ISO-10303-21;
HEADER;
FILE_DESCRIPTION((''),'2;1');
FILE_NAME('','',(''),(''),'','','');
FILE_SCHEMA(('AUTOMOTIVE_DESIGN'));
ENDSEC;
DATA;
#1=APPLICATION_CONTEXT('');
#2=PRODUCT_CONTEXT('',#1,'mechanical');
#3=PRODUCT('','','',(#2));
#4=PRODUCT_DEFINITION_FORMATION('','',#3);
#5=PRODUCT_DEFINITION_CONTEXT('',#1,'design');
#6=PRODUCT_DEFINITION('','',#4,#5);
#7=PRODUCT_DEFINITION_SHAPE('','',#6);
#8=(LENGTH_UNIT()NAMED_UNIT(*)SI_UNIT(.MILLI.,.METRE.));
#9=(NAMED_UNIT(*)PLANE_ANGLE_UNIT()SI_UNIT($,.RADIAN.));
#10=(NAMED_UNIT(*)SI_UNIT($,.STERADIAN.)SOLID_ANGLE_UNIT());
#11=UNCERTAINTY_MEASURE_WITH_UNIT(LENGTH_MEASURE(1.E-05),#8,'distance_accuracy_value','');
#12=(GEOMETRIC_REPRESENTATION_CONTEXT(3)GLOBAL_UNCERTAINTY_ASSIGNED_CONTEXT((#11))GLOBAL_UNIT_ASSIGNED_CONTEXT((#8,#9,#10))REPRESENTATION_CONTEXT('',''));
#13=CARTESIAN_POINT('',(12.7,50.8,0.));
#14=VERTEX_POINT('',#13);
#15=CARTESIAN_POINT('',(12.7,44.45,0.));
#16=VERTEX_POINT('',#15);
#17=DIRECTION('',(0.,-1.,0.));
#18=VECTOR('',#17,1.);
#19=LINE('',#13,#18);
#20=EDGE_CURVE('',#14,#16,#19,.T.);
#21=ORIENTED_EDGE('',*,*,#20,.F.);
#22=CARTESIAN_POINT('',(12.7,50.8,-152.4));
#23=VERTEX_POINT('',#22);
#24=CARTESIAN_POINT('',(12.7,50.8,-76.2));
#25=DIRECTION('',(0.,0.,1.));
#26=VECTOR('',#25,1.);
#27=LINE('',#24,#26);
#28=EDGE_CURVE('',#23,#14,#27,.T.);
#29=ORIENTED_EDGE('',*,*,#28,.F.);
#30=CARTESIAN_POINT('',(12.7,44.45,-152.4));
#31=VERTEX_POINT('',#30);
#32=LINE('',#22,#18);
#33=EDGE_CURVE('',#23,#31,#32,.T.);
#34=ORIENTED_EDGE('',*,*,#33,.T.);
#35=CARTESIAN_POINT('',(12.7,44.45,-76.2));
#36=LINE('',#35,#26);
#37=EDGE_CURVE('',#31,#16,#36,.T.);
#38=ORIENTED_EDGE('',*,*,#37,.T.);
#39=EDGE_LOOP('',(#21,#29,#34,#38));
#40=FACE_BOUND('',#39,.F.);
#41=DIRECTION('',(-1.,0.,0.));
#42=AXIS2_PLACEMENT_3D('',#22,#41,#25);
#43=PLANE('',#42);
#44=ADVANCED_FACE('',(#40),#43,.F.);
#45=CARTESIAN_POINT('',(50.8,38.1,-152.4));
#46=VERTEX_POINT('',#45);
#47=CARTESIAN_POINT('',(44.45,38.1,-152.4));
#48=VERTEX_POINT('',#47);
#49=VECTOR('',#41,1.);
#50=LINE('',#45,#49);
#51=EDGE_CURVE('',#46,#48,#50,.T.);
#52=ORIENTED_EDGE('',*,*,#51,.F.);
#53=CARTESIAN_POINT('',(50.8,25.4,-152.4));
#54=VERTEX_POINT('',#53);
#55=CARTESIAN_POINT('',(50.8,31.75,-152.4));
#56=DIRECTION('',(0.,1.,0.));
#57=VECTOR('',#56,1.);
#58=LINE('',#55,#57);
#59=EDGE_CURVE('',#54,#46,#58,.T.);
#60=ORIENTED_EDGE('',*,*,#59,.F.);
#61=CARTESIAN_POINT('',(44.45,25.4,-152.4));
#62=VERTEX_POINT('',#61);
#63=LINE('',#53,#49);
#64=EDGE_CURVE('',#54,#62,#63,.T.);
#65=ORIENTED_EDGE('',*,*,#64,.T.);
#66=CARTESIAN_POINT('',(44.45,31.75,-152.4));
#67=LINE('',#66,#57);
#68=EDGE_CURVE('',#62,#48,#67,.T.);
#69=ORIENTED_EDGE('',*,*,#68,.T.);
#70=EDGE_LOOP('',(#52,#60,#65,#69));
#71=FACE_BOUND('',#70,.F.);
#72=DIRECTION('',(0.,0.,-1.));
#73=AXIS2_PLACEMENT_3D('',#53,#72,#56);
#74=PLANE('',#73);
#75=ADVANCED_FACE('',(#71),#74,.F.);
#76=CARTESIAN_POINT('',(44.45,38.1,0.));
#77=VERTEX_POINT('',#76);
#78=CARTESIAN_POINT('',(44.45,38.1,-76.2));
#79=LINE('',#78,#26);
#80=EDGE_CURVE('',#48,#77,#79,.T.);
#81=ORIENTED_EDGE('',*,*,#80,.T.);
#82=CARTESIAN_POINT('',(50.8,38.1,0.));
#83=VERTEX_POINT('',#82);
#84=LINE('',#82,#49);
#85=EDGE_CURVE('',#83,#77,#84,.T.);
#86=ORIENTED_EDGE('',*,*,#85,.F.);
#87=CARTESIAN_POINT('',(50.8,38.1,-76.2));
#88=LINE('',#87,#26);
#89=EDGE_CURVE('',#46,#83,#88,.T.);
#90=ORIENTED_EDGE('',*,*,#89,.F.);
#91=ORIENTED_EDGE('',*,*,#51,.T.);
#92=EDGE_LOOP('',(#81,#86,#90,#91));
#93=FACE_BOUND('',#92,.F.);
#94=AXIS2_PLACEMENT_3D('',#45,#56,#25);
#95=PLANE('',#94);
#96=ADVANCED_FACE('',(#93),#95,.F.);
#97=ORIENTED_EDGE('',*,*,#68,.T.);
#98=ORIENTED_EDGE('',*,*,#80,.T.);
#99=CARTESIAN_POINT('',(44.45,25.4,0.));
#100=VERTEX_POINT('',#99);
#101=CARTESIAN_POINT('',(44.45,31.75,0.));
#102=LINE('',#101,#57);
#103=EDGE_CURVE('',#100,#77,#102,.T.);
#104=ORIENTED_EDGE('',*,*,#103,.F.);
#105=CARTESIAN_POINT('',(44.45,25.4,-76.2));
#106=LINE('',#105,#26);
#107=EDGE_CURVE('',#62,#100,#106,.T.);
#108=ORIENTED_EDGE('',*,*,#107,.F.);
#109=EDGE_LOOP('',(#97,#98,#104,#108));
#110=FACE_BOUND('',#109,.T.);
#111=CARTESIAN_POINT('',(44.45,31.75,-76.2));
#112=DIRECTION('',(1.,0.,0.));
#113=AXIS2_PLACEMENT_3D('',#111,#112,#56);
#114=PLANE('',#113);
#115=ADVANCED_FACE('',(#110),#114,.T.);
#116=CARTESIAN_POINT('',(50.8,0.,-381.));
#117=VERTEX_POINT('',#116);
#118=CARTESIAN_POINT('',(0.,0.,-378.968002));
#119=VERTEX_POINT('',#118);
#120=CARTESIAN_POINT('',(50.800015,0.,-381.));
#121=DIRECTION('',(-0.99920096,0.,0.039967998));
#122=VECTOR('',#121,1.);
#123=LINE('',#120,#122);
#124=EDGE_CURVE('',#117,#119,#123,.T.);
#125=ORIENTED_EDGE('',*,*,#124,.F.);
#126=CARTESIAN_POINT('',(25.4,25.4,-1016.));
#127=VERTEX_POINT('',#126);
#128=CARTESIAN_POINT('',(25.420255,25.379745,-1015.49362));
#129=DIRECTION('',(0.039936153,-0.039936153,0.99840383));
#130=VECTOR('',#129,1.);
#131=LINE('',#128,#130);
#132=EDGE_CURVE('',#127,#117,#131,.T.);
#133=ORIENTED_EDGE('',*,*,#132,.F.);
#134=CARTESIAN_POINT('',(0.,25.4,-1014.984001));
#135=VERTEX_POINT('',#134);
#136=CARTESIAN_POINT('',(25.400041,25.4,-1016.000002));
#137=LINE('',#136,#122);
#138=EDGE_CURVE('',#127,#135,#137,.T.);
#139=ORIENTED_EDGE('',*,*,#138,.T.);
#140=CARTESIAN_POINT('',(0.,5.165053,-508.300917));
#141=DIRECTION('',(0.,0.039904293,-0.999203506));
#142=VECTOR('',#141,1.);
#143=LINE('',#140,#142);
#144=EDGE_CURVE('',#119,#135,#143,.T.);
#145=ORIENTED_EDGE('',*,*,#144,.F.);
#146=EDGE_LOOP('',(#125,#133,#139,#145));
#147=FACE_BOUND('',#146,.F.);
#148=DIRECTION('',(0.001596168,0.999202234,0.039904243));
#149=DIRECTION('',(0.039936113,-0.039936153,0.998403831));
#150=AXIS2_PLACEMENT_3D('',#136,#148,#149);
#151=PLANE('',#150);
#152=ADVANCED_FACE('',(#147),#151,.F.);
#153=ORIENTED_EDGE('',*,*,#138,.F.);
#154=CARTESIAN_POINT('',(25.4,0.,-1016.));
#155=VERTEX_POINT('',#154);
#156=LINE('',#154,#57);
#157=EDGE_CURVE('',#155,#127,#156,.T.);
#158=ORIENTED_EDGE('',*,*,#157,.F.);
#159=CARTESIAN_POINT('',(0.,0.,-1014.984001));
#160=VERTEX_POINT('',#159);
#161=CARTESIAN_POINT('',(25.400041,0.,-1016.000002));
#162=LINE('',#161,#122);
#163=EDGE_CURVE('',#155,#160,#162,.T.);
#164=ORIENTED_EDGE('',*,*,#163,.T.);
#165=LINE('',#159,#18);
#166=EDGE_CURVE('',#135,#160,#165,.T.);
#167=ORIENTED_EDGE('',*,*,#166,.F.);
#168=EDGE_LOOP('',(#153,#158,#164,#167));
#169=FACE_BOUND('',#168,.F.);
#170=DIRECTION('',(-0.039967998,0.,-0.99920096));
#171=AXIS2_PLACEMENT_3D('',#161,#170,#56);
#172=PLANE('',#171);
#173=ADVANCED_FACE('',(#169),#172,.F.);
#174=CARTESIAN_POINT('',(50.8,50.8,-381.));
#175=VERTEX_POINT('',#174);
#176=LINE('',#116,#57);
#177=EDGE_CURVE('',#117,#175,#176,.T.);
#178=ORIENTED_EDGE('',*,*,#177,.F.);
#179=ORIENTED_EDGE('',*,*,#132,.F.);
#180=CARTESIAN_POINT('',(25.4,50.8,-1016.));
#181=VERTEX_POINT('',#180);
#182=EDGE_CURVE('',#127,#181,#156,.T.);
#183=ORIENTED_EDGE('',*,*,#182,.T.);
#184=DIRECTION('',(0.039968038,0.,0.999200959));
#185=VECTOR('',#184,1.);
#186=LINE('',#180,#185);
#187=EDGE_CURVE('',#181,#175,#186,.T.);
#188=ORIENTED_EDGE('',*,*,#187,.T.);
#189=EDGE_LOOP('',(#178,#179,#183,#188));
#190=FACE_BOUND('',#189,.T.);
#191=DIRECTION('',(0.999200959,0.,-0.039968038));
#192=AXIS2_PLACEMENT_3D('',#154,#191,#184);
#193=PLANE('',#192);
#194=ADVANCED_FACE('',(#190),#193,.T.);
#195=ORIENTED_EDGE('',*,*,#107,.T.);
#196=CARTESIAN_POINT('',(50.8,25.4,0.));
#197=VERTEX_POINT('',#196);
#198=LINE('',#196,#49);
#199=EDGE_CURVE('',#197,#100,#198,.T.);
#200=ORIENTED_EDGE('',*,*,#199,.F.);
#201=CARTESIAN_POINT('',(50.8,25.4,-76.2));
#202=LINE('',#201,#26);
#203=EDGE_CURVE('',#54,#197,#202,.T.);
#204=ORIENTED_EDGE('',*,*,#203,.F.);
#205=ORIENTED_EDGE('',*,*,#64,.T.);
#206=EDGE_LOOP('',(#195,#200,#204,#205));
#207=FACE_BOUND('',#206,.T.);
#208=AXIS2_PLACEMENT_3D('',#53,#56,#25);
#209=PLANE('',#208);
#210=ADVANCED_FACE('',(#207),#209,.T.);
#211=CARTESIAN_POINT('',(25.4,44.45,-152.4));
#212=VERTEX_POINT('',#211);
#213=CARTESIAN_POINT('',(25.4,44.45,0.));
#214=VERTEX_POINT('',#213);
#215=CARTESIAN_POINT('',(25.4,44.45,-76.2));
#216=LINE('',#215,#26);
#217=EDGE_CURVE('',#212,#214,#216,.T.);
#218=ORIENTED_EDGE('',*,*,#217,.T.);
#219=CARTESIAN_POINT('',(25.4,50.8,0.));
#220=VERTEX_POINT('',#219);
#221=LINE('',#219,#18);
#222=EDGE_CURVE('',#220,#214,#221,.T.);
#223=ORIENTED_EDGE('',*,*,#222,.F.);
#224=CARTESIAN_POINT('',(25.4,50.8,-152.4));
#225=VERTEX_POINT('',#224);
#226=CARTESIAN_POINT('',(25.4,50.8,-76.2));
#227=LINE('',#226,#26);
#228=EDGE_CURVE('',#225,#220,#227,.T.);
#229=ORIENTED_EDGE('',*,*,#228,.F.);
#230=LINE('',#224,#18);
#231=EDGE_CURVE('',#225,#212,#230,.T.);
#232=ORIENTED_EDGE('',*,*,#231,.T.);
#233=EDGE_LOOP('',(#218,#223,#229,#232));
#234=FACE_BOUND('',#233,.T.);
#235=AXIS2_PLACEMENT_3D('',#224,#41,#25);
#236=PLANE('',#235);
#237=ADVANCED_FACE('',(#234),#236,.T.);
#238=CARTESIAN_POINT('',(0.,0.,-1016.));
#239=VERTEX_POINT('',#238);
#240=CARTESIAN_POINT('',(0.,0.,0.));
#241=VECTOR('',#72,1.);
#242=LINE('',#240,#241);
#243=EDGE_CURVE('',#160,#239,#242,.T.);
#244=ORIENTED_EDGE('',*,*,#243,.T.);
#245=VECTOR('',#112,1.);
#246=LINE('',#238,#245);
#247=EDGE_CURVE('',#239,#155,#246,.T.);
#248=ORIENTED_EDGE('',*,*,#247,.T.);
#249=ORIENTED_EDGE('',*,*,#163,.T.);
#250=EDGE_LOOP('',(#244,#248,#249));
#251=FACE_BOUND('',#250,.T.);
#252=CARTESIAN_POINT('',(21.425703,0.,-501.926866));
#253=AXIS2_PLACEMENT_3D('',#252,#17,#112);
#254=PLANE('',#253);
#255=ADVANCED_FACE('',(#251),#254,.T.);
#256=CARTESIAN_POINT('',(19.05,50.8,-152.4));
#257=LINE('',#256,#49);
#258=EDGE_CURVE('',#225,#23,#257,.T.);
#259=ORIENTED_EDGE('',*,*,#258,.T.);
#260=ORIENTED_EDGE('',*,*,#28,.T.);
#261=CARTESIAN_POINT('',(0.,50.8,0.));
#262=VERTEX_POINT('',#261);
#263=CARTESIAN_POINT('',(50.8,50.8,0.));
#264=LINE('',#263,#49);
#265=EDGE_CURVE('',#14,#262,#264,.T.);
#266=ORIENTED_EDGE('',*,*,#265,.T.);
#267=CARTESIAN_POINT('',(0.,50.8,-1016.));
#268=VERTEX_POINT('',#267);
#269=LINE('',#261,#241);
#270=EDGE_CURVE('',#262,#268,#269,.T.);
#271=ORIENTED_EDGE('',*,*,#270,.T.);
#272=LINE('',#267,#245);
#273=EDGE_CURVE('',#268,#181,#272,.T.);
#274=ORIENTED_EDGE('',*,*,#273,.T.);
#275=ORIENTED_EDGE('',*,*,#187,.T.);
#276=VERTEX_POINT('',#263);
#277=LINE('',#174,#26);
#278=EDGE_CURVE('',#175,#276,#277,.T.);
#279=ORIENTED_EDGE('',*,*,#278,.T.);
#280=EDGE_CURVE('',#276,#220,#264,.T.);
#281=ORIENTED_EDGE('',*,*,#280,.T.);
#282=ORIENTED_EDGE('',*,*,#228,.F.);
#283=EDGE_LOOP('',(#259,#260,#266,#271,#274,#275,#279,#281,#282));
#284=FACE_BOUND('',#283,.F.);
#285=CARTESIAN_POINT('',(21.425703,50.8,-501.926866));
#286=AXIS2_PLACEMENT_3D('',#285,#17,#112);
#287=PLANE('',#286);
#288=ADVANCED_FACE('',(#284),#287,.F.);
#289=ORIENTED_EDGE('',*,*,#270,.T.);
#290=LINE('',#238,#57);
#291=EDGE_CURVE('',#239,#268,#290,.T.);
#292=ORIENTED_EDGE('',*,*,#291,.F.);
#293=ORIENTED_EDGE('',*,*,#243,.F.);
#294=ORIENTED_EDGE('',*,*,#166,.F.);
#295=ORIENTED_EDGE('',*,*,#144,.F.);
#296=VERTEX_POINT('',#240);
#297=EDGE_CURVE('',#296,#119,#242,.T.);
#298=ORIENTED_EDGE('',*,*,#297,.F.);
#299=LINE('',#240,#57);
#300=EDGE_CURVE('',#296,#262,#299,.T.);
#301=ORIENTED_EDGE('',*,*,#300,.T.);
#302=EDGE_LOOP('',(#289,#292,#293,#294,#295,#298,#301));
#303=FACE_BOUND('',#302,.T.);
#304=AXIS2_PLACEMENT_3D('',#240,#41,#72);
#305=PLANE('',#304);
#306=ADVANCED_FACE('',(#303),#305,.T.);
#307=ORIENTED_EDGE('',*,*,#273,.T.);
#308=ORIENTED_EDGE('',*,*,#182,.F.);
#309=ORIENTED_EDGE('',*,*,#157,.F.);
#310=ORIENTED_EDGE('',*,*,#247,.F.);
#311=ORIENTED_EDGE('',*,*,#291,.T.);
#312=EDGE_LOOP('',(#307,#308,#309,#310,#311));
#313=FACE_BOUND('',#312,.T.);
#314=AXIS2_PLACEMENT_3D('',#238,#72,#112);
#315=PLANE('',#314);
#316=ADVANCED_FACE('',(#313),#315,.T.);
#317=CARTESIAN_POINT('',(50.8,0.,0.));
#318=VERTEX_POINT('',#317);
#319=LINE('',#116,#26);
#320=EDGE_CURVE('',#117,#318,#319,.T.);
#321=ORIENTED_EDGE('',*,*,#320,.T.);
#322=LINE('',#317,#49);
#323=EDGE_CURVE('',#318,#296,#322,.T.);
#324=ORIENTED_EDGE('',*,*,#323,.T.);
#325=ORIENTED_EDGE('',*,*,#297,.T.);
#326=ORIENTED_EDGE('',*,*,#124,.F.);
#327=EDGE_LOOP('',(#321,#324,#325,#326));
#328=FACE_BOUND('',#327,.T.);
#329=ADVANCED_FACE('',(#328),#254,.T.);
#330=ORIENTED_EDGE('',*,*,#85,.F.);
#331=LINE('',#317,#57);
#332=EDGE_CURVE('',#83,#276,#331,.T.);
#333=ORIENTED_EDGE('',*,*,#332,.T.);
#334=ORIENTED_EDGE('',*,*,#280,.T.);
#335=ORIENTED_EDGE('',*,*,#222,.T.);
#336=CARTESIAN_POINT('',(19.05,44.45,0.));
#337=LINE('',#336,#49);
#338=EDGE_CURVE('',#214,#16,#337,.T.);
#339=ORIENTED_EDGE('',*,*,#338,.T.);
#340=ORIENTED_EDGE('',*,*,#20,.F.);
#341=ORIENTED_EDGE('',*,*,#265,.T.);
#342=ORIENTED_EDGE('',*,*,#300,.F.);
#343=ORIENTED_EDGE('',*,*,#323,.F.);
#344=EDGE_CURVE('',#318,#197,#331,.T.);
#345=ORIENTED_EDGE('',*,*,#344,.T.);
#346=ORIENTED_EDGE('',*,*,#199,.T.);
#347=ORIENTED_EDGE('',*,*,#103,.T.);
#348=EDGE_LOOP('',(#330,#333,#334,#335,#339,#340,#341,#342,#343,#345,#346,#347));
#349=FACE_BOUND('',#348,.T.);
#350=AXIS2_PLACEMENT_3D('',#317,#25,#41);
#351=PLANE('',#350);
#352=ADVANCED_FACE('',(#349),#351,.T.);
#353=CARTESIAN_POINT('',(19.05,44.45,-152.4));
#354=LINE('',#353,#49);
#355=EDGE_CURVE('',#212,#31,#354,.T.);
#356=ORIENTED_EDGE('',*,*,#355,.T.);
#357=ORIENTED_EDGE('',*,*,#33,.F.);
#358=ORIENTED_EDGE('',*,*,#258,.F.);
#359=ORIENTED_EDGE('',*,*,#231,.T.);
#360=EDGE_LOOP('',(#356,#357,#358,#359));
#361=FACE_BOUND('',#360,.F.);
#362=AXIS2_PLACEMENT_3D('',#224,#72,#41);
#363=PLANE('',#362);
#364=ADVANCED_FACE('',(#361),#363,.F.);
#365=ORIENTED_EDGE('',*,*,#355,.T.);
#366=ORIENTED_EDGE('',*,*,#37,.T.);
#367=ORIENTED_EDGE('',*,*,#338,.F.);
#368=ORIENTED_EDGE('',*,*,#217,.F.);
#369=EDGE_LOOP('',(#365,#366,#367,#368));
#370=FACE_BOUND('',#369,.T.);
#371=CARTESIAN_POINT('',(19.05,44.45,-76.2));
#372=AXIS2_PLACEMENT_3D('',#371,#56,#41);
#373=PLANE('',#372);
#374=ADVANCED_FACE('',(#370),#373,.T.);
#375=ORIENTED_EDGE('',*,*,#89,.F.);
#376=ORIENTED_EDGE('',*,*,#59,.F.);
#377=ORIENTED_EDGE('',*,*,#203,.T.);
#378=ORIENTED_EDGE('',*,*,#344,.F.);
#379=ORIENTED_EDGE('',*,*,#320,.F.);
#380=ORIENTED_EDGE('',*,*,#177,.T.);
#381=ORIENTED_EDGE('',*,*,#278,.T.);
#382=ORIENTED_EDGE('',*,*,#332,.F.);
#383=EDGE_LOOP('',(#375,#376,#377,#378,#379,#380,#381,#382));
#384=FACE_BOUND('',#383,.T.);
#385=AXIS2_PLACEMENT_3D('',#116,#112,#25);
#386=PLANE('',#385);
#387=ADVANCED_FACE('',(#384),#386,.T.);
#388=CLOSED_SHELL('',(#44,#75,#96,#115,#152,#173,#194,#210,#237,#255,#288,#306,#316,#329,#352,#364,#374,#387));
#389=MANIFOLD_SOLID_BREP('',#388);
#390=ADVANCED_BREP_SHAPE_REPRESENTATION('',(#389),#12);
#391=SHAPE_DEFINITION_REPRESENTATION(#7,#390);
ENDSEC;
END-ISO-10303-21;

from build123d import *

# Parameters (mm, degrees)
F1_DEPTH = 50.8
F2_W     = 12.7
F2_H     = 152.4
F3_DEPTH = 6.35
F5_DEPTH = 65.988231
F6_W     = 12.7
F6_H     = 152.4
F7_DEPTH = 6.35


with BuildPart() as f1:
    # F0 (on Front) → F1 (new body)
    with BuildSketch(Plane.XZ):
        Polygon((0, 0), (0, -1016), (25.4, -1016), (50.8, -381), (50.8, 0), align=None)
    extrude(amount=-F1_DEPTH)

    # F2 (on face) → F3 (cut)
    with BuildSketch(Plane.YZ.offset(50.8)):
        with Locations((31.75, -76.2)):
            Rectangle(F2_W, F2_H)
    extrude(amount=-F3_DEPTH, mode=Mode.SUBTRACT)

    # F4 (on face) → F5 (cut, through all)
    with BuildSketch(Plane(origin=(65.934505, 0, -2.63738), x_dir=(0, 1, 0), z_dir=(0.999201, 0, -0.039968))):
        Polygon((25.4, -1014.172986), (0, -378.665189), (0, -1014.172986), align=None)
    extrude(amount=-F5_DEPTH, mode=Mode.SUBTRACT)

    # F6 (on face) → F7 (cut)
    with BuildSketch(Plane(origin=(0, 50.8, 0), x_dir=(-1, 0, 0), z_dir=(0, 1, 0))):
        with Locations((-19.05, -76.2)):
            Rectangle(F6_W, F6_H)
    extrude(amount=-F7_DEPTH, mode=Mode.SUBTRACT)


solid = f1.part
